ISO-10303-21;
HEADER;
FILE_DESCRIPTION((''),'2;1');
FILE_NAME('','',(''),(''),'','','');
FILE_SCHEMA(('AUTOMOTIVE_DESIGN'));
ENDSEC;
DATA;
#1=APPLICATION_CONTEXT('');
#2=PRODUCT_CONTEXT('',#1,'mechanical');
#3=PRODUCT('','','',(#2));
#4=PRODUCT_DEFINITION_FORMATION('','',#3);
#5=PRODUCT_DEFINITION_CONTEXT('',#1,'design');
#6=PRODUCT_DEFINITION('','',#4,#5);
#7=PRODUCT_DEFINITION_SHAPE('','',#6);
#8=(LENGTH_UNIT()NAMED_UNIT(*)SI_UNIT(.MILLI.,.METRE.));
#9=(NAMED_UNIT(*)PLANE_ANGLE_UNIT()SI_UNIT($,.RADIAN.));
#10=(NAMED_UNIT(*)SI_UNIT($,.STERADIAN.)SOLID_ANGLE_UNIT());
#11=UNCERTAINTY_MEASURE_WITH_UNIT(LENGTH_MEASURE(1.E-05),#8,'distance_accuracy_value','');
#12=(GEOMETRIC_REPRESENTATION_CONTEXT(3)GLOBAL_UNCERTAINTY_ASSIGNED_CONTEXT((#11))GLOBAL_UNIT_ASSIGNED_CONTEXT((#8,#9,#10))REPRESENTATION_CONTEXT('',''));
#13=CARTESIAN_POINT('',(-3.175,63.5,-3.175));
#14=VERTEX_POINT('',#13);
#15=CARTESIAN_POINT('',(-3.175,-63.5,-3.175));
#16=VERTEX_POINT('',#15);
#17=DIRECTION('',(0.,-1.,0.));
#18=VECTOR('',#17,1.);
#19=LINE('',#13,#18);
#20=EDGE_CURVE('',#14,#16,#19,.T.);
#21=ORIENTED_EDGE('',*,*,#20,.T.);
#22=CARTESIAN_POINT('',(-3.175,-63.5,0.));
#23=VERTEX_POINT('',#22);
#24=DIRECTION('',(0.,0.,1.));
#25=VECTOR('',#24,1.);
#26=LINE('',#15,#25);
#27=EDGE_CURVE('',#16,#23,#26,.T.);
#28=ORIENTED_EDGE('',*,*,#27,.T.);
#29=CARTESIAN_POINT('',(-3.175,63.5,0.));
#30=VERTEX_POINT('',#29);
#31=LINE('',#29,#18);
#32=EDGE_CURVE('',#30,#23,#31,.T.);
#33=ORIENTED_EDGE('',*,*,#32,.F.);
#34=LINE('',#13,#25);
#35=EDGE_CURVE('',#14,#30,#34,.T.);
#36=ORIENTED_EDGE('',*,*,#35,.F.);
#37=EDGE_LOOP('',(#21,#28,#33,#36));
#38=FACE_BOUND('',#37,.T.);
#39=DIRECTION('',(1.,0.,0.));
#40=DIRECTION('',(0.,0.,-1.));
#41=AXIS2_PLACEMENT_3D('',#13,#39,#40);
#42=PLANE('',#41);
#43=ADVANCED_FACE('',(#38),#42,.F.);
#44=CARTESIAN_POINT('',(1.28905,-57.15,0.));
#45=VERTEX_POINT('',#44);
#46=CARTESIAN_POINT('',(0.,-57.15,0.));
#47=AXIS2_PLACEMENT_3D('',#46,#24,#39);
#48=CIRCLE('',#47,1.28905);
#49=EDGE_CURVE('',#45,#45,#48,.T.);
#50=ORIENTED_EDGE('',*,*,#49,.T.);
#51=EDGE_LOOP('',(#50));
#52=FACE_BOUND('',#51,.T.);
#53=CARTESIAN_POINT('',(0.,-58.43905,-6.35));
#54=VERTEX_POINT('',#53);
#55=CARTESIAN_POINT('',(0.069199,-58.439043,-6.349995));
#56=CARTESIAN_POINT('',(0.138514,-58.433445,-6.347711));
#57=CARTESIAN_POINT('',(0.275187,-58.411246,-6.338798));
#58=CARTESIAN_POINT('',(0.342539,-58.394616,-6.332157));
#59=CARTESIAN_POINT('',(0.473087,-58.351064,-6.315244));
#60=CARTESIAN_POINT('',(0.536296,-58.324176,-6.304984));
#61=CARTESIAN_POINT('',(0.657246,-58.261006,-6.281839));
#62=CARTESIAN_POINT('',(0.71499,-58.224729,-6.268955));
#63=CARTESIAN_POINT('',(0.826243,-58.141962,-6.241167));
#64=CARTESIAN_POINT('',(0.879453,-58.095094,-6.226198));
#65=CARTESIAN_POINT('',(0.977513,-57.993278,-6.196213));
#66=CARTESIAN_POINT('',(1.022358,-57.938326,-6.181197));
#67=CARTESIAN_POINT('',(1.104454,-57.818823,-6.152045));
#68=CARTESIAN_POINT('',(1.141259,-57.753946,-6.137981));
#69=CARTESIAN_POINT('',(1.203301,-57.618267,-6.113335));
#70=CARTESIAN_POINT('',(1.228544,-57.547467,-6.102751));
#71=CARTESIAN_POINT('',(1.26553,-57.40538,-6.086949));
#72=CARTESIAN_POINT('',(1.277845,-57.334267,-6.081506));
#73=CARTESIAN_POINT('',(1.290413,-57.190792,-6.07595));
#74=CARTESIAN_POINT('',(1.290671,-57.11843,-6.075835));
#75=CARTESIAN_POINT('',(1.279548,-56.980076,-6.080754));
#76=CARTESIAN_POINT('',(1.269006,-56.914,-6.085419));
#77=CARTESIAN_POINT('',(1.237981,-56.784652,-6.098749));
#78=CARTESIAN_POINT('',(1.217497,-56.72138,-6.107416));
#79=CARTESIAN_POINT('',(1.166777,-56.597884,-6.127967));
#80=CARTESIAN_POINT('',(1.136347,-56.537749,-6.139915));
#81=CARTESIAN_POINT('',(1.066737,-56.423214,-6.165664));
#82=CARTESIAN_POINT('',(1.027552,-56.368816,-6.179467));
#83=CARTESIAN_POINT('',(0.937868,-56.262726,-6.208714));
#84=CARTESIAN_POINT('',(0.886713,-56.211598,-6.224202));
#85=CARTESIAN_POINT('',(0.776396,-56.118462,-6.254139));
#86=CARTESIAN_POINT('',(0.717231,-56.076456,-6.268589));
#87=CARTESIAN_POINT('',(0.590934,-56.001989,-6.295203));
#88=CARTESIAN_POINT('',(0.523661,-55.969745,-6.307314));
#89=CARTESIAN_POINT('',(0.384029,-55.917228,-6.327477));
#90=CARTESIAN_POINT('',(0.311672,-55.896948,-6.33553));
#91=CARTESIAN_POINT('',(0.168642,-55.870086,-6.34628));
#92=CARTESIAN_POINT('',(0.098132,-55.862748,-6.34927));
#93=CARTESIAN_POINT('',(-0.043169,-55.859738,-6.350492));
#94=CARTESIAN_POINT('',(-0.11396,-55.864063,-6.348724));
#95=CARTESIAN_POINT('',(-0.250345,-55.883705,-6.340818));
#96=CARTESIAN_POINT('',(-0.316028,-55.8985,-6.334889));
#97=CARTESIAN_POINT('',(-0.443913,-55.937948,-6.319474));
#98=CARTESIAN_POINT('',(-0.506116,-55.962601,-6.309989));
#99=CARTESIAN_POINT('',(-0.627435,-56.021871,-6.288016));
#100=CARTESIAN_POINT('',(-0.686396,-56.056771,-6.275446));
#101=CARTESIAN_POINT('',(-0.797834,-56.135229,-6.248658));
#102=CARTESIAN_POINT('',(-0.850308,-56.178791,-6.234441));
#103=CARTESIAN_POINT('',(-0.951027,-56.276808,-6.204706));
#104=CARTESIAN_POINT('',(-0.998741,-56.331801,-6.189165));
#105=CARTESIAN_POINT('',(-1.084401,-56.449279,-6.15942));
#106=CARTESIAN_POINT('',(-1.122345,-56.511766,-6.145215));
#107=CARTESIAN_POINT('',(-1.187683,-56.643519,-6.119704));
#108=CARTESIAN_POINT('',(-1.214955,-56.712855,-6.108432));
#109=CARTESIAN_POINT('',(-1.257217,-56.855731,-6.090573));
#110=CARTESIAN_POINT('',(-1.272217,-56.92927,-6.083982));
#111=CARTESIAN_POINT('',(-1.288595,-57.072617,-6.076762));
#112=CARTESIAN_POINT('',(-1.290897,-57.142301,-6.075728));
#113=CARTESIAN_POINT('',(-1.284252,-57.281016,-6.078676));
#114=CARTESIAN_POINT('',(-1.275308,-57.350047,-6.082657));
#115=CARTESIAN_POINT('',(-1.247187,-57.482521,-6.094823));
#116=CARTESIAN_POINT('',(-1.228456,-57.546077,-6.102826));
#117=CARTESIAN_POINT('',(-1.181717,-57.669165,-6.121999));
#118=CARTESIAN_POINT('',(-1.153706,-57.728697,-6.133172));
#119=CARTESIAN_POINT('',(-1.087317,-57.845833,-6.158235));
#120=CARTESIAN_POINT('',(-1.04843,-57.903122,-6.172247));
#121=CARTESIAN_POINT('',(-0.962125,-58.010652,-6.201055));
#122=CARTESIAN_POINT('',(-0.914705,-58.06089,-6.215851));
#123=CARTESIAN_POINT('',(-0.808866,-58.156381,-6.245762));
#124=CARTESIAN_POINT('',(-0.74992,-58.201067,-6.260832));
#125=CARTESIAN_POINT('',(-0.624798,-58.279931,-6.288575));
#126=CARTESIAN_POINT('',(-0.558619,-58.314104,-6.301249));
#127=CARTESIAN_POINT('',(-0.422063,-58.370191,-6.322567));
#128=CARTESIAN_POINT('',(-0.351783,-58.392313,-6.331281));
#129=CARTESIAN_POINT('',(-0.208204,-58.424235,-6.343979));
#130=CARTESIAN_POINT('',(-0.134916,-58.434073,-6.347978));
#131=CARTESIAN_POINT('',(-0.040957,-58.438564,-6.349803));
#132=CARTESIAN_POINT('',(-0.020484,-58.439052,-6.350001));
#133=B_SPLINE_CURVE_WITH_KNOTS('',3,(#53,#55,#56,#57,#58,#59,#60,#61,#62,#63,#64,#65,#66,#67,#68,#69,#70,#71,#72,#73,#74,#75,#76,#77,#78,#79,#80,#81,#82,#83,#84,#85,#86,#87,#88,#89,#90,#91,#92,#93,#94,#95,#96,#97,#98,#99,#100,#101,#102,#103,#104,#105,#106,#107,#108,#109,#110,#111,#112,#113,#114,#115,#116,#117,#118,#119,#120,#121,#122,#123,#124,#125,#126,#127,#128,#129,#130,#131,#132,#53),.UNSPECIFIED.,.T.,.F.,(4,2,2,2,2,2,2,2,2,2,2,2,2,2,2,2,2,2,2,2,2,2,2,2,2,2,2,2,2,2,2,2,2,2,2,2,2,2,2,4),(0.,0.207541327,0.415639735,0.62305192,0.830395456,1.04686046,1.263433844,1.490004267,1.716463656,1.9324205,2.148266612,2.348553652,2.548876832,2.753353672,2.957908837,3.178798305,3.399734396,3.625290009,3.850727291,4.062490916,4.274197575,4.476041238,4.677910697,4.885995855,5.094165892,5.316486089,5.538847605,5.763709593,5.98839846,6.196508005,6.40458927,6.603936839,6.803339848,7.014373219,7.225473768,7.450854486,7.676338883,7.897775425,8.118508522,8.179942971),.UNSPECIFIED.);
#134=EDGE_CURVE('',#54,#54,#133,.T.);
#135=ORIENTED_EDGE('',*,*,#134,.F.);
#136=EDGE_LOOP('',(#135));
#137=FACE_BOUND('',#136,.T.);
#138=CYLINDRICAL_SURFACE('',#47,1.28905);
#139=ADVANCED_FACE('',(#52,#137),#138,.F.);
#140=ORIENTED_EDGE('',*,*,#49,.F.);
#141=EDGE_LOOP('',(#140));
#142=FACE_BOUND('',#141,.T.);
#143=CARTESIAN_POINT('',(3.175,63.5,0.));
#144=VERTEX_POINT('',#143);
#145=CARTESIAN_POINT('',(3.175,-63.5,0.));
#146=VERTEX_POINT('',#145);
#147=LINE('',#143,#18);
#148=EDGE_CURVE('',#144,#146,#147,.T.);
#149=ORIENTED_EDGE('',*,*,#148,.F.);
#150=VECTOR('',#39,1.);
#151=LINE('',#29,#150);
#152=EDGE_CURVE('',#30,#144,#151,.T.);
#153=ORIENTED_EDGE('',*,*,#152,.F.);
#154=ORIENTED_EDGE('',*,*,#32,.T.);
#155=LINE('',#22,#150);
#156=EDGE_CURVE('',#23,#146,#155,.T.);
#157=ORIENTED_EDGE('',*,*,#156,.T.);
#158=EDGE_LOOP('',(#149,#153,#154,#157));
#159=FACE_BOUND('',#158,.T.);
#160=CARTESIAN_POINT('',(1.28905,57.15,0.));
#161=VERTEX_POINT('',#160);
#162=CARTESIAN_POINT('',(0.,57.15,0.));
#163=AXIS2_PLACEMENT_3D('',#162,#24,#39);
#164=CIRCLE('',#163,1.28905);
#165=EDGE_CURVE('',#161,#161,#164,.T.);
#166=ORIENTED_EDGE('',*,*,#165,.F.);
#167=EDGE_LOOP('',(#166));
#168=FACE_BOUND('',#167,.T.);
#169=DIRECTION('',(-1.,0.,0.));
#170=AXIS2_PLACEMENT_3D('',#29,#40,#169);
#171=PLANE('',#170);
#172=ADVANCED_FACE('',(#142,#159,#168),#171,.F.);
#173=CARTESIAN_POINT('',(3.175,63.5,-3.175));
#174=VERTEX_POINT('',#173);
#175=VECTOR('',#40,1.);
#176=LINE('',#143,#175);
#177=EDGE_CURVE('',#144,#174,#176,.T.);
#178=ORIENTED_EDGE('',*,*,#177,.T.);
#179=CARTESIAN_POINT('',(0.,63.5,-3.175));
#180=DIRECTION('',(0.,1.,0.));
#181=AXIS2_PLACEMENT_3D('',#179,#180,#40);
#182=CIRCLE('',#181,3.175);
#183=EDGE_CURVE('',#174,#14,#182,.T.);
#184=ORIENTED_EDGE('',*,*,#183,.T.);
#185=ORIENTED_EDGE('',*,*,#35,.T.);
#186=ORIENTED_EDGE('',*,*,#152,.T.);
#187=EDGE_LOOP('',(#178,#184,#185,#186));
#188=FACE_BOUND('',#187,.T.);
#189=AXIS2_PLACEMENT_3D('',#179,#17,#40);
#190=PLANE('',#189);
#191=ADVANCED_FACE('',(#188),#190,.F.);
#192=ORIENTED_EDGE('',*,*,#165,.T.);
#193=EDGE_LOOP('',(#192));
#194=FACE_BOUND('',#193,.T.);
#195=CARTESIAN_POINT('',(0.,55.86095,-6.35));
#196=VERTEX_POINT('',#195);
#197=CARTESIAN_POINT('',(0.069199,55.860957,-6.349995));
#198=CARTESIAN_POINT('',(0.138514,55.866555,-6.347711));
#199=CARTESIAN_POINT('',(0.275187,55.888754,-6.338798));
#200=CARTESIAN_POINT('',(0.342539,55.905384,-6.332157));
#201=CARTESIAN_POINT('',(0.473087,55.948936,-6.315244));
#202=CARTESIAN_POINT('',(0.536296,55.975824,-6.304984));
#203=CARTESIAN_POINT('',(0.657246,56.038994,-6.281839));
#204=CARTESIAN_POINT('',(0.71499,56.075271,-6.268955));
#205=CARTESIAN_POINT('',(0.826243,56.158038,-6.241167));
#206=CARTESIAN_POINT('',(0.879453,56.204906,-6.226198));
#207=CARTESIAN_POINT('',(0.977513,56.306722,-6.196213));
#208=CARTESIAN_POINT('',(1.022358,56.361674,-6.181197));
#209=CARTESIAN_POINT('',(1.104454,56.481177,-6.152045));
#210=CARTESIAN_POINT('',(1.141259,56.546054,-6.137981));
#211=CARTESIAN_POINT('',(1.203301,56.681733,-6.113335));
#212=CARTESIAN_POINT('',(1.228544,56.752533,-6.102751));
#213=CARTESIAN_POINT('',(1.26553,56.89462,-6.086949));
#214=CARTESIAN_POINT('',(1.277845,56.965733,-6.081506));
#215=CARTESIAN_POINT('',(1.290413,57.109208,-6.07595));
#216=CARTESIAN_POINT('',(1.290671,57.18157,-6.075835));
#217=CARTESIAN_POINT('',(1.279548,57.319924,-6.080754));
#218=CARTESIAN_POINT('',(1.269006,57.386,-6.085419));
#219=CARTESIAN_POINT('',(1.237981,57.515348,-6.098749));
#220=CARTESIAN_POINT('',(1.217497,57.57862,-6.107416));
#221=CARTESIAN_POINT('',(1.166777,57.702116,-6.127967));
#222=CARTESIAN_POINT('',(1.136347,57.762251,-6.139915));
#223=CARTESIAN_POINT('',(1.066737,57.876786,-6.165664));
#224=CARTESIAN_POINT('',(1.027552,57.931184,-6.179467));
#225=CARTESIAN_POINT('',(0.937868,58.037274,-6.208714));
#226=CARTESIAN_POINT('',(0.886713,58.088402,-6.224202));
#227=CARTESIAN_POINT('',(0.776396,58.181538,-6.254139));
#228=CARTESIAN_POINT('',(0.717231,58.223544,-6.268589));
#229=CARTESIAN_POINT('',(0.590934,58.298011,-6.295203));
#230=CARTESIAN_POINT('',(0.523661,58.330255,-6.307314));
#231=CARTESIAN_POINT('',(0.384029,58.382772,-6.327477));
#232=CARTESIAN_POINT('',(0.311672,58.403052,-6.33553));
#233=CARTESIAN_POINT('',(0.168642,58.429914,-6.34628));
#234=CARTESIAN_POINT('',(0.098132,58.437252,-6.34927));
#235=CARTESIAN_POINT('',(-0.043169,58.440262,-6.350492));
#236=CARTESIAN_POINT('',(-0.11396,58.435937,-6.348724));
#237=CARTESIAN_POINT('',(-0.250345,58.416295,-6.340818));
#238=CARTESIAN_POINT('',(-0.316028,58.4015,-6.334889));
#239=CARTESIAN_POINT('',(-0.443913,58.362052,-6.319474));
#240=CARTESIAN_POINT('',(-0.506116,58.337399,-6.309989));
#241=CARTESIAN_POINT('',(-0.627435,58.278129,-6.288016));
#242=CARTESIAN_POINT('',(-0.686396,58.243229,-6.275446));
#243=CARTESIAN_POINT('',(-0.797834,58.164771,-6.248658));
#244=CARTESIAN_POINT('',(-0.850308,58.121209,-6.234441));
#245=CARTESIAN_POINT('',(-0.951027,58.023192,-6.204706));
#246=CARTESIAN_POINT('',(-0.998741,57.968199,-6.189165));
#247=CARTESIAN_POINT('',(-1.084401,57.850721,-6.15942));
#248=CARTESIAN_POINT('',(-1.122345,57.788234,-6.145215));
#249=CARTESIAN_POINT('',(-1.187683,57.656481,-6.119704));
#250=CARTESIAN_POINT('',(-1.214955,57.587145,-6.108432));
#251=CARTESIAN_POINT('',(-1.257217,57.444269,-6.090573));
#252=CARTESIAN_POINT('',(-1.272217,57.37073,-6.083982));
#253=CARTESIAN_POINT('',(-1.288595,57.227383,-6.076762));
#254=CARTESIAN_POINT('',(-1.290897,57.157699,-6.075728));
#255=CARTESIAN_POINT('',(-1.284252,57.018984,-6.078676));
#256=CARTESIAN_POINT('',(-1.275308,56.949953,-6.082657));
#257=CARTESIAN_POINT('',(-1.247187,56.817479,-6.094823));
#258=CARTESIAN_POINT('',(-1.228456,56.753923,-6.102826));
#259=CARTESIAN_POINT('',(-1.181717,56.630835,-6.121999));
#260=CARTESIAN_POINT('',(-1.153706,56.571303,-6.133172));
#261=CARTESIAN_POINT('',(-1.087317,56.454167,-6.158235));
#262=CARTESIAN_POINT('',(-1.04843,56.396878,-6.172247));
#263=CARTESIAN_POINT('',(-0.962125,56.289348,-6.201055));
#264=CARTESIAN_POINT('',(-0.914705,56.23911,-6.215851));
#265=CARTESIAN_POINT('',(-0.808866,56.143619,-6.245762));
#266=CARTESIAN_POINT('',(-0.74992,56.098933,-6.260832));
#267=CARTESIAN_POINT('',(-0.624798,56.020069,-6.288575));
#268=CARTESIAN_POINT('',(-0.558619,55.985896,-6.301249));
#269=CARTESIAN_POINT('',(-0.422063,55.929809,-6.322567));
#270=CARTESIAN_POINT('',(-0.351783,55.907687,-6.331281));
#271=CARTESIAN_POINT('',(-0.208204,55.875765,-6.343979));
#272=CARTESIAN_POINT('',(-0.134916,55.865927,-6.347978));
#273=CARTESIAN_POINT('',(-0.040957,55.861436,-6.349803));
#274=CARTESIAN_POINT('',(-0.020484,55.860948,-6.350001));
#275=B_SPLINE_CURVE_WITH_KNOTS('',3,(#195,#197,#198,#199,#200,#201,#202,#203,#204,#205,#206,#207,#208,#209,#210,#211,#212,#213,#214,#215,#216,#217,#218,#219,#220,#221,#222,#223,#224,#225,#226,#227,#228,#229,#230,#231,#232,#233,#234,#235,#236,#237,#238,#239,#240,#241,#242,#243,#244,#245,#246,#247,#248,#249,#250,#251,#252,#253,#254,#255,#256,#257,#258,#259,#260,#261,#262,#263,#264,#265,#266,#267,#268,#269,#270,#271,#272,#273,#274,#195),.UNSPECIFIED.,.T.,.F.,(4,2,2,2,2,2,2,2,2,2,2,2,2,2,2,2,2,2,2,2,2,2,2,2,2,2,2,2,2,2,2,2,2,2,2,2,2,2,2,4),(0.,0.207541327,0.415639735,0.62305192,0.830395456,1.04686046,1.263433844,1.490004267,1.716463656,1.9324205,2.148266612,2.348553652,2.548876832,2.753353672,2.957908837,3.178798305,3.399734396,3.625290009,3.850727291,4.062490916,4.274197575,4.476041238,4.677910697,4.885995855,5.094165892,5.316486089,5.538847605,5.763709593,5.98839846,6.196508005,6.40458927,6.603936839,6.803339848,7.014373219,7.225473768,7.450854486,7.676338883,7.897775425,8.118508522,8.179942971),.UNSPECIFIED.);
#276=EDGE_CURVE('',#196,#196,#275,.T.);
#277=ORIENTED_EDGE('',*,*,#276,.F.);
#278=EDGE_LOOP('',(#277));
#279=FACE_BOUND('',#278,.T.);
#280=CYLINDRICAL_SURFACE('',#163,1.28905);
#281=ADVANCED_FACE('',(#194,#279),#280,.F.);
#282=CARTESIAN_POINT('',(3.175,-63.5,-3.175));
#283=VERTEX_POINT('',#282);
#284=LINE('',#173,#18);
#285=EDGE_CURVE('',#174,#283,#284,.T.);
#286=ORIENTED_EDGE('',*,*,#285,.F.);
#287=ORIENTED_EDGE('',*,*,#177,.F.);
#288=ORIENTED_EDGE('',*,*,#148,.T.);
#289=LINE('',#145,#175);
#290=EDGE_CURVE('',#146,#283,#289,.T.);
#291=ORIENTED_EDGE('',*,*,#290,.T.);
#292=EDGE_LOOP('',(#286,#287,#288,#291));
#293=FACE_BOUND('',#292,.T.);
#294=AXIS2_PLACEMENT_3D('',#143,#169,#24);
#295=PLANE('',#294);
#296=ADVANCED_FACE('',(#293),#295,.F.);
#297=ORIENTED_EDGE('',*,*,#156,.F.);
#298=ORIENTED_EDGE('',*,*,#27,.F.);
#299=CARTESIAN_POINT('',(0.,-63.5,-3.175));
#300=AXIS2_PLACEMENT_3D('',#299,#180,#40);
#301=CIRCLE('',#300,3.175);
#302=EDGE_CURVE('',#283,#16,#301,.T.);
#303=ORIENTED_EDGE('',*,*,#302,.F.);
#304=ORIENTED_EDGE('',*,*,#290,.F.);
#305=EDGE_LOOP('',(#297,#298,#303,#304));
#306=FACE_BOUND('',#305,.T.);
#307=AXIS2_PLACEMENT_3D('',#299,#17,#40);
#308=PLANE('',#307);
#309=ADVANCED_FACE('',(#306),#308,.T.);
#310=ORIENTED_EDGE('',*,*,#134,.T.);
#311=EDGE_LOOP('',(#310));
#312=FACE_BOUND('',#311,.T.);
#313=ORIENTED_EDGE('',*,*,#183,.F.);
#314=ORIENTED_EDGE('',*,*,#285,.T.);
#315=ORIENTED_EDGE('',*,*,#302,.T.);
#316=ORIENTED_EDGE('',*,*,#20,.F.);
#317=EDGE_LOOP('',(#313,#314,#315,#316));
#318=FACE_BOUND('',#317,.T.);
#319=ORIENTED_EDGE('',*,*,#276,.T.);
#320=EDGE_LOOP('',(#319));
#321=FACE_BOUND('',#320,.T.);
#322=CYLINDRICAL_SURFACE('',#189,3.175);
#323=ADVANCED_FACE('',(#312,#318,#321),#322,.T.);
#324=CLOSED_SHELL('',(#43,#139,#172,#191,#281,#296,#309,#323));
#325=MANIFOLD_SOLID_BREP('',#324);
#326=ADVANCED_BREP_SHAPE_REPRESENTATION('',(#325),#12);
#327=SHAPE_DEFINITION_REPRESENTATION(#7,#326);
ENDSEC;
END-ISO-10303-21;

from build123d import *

# Parameters (mm, degrees)
BOSS_EXTRUDE1_DEPTH   = 63.5
F_5_40_TAPPED_HOLE1_D = 2.5781


with BuildPart() as part:
    # Sketch1 → Boss-Extrude1 (new, symmetric)
    with BuildSketch(Plane(origin=(0, 0, 0), x_dir=(1, 0, 0), z_dir=(0, 1, 0))):
        with BuildLine():
            Line((-3.175, 3.175), (-3.175, 0))
            Line((-3.175, 0), (3.175, 0))
            Line((3.175, 0), (3.175, 3.175))
            ThreePointArc((3.175, 3.175), (0, 6.35), (-3.175, 3.175))
        make_face()
    extrude(amount=BOSS_EXTRUDE1_DEPTH, both=True)

    # #5-40 Tapped Hole1 (through all)
    with Locations(Plane.XY):
        with Locations((0, -57.15)):
            f_5_40_tapped_hole1 = Hole(F_5_40_TAPPED_HOLE1_D / 2)

    # Mirror1: #5-40 Tapped Hole1 across plane
    add(f_5_40_tapped_hole1.mirror(Plane.ZX), mode=Mode.SUBTRACT)


solid = part.part
